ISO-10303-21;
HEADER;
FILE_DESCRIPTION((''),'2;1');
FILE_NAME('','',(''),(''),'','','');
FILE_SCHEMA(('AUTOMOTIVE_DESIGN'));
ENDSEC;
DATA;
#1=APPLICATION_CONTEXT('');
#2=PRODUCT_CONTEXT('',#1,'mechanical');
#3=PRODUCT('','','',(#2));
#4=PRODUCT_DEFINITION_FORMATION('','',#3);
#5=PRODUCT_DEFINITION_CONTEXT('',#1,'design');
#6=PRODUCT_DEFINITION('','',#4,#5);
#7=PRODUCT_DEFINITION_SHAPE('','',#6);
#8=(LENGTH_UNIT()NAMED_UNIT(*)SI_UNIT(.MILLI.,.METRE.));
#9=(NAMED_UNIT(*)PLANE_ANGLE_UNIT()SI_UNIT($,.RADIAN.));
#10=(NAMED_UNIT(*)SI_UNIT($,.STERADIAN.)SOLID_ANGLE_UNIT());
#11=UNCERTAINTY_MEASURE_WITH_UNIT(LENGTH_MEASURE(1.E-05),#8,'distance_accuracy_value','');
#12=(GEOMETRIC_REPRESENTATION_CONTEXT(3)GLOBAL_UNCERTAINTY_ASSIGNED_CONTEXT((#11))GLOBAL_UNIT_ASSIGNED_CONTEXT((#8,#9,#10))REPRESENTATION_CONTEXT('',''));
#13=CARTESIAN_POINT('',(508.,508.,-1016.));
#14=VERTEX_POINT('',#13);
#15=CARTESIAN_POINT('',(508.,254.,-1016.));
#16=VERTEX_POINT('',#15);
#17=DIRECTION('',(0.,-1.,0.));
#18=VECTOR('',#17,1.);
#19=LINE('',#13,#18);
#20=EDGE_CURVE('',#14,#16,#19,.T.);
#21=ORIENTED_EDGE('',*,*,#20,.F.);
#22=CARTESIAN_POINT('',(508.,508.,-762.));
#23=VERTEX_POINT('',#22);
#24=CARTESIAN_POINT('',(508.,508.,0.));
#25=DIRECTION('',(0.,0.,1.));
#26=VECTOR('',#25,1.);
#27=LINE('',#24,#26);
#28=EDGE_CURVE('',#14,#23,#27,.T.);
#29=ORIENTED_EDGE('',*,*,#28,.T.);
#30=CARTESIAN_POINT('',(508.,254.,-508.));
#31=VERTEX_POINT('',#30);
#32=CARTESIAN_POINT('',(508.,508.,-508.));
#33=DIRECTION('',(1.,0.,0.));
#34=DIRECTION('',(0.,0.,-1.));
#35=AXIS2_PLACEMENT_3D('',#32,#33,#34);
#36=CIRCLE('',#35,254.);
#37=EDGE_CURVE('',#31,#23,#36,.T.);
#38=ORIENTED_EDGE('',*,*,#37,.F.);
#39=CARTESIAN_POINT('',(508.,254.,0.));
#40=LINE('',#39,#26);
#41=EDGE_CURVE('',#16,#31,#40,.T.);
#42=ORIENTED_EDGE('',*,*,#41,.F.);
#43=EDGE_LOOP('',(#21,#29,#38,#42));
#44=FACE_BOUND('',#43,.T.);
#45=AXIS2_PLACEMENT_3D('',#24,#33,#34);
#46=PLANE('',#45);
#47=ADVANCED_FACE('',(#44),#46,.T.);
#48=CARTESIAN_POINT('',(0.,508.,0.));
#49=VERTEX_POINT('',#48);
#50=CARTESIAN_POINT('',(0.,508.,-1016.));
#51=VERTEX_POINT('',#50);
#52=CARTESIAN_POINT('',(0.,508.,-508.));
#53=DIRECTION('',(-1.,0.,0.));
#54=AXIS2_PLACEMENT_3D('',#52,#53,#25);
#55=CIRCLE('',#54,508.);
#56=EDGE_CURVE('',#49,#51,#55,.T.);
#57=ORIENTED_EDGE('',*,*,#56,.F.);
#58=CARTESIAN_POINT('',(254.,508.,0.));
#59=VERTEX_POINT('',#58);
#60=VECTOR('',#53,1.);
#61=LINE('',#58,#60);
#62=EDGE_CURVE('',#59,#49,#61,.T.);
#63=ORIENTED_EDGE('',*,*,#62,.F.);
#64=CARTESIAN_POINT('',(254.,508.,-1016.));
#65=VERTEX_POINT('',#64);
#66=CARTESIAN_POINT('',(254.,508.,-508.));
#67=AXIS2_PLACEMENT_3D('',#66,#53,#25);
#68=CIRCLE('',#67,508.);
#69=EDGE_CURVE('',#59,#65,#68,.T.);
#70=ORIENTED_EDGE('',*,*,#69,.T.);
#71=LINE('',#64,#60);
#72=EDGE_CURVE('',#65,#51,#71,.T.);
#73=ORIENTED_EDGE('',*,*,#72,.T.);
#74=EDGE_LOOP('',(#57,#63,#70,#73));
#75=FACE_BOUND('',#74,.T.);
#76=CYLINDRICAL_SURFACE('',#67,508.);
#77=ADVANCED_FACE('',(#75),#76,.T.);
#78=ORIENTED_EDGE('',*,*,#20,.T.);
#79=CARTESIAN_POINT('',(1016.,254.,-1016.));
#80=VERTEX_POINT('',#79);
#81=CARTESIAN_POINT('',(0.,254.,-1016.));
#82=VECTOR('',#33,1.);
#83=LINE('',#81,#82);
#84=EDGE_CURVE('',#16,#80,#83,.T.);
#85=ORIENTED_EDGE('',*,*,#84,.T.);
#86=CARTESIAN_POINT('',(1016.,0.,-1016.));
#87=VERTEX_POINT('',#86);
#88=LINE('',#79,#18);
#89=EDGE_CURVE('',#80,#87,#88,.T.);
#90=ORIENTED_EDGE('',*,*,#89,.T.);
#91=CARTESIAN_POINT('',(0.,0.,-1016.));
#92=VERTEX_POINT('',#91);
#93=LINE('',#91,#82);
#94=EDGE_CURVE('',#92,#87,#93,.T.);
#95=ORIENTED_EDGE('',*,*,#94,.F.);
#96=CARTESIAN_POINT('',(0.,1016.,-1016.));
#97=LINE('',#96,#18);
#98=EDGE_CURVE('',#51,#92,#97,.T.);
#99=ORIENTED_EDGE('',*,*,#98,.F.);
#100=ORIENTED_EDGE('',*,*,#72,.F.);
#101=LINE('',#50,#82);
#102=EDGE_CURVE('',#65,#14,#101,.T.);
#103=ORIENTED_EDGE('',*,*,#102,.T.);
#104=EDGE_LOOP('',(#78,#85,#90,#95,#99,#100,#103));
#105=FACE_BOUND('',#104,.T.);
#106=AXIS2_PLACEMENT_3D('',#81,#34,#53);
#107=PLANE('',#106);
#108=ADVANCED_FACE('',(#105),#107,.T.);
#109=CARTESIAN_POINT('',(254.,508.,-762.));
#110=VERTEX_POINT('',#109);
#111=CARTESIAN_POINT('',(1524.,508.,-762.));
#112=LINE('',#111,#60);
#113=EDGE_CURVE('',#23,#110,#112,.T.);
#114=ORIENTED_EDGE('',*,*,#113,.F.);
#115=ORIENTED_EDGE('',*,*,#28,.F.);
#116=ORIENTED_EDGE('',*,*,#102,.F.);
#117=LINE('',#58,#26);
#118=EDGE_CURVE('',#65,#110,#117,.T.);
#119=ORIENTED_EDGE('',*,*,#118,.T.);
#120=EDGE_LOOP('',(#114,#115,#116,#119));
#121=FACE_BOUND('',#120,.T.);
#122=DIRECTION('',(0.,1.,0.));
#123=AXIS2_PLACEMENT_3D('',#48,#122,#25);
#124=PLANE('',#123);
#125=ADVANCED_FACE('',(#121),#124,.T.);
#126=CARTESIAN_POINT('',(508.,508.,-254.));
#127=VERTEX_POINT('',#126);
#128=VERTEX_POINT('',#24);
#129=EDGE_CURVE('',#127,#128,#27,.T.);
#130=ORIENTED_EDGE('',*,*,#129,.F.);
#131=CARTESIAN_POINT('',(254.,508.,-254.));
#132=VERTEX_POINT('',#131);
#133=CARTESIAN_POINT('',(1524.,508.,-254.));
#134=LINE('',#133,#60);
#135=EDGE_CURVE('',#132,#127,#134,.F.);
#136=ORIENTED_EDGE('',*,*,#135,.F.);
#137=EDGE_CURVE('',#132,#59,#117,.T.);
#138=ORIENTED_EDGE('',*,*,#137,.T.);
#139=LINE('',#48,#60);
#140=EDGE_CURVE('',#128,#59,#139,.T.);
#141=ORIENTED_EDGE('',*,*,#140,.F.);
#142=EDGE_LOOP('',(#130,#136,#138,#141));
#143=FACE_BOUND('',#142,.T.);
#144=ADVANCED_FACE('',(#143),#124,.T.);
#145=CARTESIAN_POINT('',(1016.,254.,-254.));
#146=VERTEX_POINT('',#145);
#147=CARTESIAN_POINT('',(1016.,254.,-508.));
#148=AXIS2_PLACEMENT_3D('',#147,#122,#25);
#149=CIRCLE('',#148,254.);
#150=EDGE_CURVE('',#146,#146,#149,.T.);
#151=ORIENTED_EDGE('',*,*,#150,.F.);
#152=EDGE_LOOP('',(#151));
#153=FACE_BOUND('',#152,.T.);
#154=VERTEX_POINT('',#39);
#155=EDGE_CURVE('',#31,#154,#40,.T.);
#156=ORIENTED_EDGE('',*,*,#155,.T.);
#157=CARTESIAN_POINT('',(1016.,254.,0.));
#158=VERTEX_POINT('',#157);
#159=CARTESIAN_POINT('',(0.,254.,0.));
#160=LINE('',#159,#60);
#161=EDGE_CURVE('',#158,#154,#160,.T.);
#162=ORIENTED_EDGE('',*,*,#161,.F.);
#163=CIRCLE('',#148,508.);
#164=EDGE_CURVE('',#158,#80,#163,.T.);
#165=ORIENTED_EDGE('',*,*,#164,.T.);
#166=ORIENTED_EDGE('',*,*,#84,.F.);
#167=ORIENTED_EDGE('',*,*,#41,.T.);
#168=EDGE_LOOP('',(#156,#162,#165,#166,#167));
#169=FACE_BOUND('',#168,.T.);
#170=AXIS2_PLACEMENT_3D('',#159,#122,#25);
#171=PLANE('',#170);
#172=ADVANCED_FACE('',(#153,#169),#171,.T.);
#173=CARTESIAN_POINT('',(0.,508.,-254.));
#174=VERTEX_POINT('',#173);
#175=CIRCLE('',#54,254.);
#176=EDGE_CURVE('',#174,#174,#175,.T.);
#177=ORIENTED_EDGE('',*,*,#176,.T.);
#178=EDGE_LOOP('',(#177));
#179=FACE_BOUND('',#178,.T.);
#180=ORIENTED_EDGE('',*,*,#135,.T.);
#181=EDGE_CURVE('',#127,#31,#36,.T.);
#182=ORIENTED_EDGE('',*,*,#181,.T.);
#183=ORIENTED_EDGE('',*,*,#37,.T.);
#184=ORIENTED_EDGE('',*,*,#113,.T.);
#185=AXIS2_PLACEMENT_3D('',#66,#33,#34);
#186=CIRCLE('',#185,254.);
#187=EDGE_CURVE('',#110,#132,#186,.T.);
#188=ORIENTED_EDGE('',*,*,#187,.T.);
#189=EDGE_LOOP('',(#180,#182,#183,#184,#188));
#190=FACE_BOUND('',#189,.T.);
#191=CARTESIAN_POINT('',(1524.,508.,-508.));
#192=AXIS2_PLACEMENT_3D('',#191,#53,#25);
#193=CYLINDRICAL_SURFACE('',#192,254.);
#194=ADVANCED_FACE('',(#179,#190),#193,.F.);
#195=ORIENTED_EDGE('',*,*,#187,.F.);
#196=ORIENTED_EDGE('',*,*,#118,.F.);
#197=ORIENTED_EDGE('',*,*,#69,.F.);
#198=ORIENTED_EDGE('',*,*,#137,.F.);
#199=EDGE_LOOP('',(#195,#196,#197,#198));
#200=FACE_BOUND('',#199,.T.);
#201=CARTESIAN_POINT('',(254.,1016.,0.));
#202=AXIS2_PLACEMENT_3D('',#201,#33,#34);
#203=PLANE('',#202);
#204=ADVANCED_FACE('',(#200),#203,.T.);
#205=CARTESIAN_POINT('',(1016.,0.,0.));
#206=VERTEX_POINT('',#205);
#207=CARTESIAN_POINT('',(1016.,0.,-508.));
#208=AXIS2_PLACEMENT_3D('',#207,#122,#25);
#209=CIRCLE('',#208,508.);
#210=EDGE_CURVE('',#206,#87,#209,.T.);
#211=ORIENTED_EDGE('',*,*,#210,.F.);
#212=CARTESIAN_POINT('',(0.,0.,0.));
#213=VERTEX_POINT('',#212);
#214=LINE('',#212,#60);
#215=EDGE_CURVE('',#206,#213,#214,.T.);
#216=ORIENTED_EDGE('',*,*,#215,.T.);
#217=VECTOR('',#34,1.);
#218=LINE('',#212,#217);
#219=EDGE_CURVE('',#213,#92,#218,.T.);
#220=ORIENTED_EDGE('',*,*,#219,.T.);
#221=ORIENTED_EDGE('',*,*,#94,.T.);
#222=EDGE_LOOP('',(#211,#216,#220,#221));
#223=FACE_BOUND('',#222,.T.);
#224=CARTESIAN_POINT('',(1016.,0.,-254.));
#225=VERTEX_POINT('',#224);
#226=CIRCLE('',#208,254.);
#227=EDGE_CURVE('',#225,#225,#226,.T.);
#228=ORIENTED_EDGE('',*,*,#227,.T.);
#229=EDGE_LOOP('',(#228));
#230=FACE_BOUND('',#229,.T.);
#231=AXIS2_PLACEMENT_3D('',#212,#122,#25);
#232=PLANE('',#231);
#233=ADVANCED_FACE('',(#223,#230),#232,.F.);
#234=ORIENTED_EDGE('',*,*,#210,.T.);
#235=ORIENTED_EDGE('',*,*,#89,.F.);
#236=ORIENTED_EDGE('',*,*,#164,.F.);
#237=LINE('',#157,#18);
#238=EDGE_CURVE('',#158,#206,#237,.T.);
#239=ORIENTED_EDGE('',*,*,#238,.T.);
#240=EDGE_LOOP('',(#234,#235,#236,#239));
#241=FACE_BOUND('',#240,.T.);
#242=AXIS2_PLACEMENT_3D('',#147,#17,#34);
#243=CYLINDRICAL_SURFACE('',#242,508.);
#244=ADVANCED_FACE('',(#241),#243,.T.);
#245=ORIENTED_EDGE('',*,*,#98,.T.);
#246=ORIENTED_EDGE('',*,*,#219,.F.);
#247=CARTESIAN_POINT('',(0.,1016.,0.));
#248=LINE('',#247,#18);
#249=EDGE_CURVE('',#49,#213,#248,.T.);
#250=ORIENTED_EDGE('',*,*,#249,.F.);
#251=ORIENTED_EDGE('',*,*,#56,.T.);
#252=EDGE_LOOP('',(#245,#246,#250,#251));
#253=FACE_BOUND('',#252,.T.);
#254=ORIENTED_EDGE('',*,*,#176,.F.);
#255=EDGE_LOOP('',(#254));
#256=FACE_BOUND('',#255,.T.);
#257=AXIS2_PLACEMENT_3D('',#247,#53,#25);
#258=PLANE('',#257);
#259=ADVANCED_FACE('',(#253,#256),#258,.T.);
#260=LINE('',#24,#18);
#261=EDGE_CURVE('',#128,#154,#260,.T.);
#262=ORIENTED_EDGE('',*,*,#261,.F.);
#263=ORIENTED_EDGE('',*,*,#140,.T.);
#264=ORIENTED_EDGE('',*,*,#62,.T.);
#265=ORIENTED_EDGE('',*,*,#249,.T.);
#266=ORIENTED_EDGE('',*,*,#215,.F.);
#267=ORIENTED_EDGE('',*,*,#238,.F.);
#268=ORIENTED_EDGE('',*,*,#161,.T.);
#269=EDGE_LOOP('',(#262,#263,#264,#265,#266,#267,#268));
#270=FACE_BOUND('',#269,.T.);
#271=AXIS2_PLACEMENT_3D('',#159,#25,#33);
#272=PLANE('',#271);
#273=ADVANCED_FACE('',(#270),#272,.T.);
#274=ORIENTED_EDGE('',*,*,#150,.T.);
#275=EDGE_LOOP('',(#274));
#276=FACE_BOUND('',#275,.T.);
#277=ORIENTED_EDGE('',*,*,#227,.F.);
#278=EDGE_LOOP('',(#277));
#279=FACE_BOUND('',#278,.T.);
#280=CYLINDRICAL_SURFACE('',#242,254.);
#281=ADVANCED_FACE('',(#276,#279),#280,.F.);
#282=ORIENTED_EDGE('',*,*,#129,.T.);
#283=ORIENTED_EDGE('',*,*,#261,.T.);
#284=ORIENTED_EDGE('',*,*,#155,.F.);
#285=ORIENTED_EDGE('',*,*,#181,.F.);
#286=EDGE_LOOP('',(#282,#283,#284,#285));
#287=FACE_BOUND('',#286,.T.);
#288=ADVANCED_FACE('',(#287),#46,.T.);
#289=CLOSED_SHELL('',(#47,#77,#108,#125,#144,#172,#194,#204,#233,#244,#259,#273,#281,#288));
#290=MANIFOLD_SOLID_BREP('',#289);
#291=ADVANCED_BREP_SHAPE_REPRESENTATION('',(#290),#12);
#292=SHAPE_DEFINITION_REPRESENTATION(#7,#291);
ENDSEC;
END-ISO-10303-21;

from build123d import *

# Parameters (mm, degrees)
SKETCH1_R           = 254
BOSS_EXTRUDE1_DEPTH = 254
SKETCH1_3_W         = 254
SKETCH1_3_H         = 1016
BOSS_EXTRUDE2_DEPTH = 508
SKETCH1_4_W         = 254
SKETCH1_4_H         = 1016
BOSS_EXTRUDE3_DEPTH = 1016
SKETCH2_R           = 254
CUT_EXTRUDE2_DEPTH  = 1525
CUT_EXTRUDE3_DEPTH  = 254


with BuildPart() as part:
    # Sketch1 → Boss-Extrude1 (new body)
    with BuildSketch(Plane(origin=(0, 0, 0), x_dir=(1, 0, 0), z_dir=(0, 1, 0))):
        with BuildLine():
            Line((508, 1016), (508, 0))
            Line((508, 0), (1016, 0))
            ThreePointArc((1016, 0), (1524, 508), (1016, 1016))
            Line((1016, 1016), (508, 1016))
        make_face()
        with Locations((1016, 508)):
            Circle(SKETCH1_R, mode=Mode.SUBTRACT)
    extrude(amount=BOSS_EXTRUDE1_DEPTH)

    # Sketch1<3> → Boss-Extrude2 (add)
    with BuildSketch(Plane(origin=(0, 0, 0), x_dir=(1, 0, 0), z_dir=(0, 1, 0))):
        with Locations((381, 508)):
            Rectangle(SKETCH1_3_W, SKETCH1_3_H)
    extrude(amount=BOSS_EXTRUDE2_DEPTH)

    # Sketch1<4> → Boss-Extrude3 (add)
    with BuildSketch(Plane(origin=(0, 0, 0), x_dir=(1, 0, 0), z_dir=(0, 1, 0))):
        with Locations((127, 508)):
            Rectangle(SKETCH1_4_W, SKETCH1_4_H)
    extrude(amount=BOSS_EXTRUDE3_DEPTH)

    # Sketch2 → Cut-Extrude2 (cut, through all)
    with BuildSketch(Plane.ZY):
        with Locations((-508, 508)):
            Circle(SKETCH2_R)
    extrude(amount=-CUT_EXTRUDE2_DEPTH, mode=Mode.SUBTRACT)

    # Sketch2<4> → Cut-Extrude3 (cut)
    with BuildSketch(Plane.ZY):
        with BuildLine():
            ThreePointArc((-508, 1016), (-148.789755157, 867.210244843), (0, 508))
            Line((0, 508), (0, 1016))
            Line((0, 1016), (-508, 1016))
        make_face()
        with BuildLine():
            ThreePointArc((-1016, 508), (-867.210244843, 867.210244843), (-508, 1016))
            Line((-508, 1016), (-1016, 1016))
            Line((-1016, 1016), (-1016, 508))
        make_face()
    extrude(amount=-CUT_EXTRUDE3_DEPTH, mode=Mode.SUBTRACT)


solid = part.part
